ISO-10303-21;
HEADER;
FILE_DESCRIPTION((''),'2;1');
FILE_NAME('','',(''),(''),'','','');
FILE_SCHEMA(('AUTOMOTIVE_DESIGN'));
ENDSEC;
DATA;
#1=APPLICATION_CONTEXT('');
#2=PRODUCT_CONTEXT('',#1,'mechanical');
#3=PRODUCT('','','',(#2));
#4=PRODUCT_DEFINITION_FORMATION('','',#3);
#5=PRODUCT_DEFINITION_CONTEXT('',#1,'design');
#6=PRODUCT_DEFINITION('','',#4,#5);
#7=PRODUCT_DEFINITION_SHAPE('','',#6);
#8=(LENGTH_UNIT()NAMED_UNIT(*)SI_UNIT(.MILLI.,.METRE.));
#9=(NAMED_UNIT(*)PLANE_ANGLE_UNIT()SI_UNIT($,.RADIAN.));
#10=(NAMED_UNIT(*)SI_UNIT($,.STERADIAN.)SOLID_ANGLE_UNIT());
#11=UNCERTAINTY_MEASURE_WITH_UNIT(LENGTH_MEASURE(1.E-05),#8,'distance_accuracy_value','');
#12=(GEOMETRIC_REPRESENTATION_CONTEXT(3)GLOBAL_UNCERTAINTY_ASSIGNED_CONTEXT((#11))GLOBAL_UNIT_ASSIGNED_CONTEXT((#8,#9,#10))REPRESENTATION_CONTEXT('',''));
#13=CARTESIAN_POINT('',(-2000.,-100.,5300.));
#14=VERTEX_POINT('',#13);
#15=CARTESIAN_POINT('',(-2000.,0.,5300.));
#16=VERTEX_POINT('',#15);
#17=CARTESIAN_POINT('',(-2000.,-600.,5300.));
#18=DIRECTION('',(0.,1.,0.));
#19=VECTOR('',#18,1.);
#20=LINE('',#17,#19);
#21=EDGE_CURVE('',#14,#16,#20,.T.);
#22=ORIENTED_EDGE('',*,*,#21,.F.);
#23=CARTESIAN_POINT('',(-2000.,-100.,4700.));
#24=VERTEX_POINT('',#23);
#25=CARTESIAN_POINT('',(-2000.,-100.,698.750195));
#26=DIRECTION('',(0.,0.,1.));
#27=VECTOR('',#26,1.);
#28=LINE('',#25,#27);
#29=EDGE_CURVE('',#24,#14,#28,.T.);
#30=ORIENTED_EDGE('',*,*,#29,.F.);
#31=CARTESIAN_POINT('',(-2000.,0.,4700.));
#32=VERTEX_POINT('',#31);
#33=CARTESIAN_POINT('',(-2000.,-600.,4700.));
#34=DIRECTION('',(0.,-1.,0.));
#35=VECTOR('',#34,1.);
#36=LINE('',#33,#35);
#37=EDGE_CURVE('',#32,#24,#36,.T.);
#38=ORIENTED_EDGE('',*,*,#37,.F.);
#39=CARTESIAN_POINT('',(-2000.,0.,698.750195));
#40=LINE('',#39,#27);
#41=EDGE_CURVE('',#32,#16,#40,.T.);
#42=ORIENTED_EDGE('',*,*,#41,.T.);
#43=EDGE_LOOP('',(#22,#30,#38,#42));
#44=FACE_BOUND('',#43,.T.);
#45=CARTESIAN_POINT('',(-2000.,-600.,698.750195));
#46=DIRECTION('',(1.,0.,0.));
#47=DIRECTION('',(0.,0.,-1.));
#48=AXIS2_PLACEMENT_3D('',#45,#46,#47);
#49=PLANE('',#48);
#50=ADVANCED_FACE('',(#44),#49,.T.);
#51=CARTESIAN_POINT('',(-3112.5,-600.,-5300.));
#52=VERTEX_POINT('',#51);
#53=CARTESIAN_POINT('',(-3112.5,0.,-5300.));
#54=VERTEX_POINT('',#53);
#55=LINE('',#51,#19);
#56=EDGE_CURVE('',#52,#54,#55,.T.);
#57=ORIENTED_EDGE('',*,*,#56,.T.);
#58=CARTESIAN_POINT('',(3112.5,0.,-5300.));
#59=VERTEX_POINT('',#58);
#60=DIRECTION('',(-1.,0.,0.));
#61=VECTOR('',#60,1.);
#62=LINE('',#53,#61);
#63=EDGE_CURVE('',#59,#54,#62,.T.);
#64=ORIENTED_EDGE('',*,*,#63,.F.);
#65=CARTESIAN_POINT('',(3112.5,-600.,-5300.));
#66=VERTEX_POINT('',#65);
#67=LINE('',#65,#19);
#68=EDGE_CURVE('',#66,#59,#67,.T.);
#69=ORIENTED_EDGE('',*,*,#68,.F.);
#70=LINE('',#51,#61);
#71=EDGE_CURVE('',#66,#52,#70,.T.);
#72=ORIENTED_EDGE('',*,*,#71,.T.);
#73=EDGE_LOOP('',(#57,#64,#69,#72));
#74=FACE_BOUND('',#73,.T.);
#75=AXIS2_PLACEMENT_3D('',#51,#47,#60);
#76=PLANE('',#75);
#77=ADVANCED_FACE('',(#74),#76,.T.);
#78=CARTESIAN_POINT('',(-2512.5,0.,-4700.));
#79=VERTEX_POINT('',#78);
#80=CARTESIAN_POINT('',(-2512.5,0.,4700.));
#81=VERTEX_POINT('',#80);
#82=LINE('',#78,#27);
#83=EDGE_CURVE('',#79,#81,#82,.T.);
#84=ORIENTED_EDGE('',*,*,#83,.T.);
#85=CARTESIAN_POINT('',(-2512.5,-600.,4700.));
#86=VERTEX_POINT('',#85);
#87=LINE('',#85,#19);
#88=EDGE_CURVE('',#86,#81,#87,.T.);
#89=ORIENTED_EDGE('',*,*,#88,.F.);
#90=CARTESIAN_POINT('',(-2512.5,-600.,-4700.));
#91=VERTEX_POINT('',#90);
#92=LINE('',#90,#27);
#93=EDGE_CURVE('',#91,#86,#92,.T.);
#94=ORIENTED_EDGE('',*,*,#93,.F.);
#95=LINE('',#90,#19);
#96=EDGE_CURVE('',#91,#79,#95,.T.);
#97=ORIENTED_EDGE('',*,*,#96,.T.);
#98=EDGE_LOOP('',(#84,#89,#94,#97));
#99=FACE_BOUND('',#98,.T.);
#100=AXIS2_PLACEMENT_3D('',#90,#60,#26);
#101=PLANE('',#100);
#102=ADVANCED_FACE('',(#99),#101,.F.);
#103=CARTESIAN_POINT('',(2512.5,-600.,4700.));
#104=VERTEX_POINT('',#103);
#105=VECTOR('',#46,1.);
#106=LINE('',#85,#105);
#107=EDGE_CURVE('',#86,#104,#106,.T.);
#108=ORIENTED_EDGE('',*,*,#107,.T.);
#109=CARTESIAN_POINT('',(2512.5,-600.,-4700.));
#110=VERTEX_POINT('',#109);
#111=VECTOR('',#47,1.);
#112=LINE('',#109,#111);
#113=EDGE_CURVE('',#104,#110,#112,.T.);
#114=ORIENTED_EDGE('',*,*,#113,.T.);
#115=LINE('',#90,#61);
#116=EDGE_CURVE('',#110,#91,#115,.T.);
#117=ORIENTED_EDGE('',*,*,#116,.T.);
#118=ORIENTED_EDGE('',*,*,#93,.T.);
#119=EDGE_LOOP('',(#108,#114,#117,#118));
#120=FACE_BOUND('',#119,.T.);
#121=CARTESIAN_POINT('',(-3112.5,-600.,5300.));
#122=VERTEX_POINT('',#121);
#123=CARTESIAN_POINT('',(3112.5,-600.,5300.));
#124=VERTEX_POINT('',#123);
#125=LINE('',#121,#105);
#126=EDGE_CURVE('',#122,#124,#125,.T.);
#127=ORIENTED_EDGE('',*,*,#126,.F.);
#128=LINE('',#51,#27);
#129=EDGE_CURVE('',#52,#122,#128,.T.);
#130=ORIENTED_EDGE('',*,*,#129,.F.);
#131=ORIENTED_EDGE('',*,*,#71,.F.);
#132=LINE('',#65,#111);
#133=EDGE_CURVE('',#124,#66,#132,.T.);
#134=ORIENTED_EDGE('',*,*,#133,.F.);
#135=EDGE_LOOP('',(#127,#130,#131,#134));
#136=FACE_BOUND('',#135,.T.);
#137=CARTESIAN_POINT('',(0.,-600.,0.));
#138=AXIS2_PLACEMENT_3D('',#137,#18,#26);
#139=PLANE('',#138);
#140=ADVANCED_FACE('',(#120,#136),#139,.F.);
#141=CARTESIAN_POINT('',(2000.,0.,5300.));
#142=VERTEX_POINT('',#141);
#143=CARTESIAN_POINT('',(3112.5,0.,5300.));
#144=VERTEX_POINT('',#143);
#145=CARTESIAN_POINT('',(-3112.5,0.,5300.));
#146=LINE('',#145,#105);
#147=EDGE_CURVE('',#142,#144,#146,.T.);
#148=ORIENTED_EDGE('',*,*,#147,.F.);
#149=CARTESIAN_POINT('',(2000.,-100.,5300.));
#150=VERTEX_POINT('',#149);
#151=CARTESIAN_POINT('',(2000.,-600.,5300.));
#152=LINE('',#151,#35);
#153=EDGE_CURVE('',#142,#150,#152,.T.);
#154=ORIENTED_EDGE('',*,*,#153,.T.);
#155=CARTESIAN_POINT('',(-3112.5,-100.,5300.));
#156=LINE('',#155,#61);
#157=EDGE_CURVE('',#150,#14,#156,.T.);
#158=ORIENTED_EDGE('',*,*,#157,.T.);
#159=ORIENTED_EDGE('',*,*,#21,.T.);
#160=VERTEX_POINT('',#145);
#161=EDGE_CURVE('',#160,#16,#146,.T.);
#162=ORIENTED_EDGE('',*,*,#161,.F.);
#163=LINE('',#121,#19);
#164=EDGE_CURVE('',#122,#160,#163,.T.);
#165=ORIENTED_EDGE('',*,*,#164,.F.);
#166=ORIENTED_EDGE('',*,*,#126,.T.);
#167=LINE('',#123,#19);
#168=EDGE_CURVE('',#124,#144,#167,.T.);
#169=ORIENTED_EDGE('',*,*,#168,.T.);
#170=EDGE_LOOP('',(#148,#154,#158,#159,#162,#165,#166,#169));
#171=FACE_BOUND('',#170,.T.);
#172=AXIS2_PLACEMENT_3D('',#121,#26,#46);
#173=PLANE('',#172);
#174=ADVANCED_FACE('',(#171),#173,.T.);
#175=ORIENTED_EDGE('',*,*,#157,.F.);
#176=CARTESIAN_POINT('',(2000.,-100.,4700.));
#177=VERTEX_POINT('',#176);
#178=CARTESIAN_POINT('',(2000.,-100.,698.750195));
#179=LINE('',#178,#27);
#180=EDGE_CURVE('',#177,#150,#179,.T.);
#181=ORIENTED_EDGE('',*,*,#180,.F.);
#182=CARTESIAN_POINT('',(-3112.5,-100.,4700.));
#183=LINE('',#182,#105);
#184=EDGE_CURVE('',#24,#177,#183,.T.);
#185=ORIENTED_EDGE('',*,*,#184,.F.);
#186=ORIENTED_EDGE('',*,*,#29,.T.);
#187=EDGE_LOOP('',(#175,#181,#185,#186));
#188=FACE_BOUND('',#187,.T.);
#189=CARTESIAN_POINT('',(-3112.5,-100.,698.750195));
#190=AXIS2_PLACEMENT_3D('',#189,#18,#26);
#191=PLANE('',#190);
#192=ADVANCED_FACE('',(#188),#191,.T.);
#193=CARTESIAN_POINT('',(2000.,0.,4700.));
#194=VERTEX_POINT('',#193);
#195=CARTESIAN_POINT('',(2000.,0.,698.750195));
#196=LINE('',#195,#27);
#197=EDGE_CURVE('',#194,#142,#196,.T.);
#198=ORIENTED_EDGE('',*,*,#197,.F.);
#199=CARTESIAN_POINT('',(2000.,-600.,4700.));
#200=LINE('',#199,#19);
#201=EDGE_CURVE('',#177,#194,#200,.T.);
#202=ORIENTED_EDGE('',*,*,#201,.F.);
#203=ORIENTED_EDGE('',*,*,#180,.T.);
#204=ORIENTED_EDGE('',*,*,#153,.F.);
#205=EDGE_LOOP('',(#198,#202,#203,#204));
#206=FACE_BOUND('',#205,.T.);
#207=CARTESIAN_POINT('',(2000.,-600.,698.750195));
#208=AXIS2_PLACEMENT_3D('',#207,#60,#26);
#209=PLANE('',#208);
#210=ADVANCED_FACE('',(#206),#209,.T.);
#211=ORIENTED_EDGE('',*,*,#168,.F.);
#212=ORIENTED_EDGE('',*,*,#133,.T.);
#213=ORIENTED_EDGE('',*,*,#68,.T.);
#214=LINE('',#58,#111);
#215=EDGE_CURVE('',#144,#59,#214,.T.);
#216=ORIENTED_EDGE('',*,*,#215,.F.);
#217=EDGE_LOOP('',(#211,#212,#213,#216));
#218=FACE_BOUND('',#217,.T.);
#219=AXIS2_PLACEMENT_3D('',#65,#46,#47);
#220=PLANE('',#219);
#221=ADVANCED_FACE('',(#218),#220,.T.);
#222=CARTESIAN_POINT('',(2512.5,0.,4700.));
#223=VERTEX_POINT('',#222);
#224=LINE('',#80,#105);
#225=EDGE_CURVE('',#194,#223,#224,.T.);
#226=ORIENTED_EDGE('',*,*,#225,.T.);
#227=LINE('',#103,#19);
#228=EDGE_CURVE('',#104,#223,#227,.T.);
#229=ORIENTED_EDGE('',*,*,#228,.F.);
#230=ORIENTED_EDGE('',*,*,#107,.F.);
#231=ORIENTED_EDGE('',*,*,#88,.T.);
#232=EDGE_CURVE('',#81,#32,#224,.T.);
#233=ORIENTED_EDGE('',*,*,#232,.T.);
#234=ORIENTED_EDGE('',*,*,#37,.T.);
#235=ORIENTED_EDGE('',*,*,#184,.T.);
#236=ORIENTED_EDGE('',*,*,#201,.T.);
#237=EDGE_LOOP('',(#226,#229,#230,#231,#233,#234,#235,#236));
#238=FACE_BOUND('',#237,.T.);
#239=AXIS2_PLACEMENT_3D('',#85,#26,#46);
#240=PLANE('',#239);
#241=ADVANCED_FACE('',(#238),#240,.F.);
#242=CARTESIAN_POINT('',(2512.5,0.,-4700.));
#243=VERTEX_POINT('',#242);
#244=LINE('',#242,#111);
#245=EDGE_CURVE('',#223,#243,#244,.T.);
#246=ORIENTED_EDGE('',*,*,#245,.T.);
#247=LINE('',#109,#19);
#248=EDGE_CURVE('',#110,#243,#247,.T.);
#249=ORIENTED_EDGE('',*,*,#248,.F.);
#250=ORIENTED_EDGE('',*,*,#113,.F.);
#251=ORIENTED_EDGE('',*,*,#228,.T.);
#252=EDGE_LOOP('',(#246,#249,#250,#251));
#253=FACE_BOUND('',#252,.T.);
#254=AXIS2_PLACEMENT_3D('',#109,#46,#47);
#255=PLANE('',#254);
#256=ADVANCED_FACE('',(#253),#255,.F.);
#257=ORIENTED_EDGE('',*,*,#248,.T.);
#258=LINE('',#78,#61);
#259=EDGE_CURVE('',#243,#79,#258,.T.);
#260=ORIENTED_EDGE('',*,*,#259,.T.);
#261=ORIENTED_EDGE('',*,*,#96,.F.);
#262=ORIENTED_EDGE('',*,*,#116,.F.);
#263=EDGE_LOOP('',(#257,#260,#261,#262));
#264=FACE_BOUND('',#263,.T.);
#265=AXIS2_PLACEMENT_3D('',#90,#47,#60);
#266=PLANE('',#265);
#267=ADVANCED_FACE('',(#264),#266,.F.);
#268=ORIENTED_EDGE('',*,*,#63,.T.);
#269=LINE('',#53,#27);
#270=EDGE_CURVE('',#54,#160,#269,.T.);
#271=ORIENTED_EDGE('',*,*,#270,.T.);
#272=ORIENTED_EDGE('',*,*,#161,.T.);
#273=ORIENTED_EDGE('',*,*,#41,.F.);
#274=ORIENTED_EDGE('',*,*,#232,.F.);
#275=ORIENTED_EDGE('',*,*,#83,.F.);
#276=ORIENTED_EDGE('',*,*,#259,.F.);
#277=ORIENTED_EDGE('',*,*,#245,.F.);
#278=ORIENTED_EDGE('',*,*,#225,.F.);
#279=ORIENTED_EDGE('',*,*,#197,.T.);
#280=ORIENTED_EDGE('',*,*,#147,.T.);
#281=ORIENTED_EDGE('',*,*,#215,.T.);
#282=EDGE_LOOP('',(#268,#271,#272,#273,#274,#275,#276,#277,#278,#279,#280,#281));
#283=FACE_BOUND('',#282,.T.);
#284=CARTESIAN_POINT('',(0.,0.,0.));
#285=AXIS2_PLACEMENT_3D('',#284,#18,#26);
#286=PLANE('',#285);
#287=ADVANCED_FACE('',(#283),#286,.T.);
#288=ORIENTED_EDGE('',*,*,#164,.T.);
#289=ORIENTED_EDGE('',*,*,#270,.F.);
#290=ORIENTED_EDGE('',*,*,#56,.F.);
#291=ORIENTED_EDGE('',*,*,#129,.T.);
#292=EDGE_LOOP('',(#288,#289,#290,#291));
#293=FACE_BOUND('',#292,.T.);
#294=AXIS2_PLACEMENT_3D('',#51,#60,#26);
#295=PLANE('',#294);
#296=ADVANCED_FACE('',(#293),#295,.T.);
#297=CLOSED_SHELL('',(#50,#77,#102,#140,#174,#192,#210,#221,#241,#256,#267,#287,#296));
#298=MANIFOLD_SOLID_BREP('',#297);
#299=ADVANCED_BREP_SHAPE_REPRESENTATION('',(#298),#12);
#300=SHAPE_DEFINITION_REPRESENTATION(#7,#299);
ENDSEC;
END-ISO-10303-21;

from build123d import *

# Parameters (mm, degrees)
SKETCH_1_W          = 6225
SKETCH_1_H          = 10600
SKETCH_1_W_2        = 5025
SKETCH_1_H_2        = 9400
EXTRUDE_1_DEPTH     = 600
SKETCH_2_W          = 4000
SKETCH_2_H          = 100
CUT_EXTRUDE_2_DEPTH = 600


with BuildPart() as part:
    # Эскиз1 → Бобышка-Вытянуть1 (new body)
    with BuildSketch(Plane(origin=(0, 0, 0), x_dir=(1, 0, 0), z_dir=(0, 1, 0))):
        Rectangle(SKETCH_1_W, SKETCH_1_H)
        Rectangle(SKETCH_1_W_2, SKETCH_1_H_2, mode=Mode.SUBTRACT)
    extrude(amount=-EXTRUDE_1_DEPTH)

    # Эскиз2 → Вырез-Вытянуть2 (cut)
    with BuildSketch(Plane.XY.offset(5300)):
        with Locations((0, -50)):
            Rectangle(SKETCH_2_W, SKETCH_2_H)
    extrude(amount=-CUT_EXTRUDE_2_DEPTH, mode=Mode.SUBTRACT)


solid = part.part
